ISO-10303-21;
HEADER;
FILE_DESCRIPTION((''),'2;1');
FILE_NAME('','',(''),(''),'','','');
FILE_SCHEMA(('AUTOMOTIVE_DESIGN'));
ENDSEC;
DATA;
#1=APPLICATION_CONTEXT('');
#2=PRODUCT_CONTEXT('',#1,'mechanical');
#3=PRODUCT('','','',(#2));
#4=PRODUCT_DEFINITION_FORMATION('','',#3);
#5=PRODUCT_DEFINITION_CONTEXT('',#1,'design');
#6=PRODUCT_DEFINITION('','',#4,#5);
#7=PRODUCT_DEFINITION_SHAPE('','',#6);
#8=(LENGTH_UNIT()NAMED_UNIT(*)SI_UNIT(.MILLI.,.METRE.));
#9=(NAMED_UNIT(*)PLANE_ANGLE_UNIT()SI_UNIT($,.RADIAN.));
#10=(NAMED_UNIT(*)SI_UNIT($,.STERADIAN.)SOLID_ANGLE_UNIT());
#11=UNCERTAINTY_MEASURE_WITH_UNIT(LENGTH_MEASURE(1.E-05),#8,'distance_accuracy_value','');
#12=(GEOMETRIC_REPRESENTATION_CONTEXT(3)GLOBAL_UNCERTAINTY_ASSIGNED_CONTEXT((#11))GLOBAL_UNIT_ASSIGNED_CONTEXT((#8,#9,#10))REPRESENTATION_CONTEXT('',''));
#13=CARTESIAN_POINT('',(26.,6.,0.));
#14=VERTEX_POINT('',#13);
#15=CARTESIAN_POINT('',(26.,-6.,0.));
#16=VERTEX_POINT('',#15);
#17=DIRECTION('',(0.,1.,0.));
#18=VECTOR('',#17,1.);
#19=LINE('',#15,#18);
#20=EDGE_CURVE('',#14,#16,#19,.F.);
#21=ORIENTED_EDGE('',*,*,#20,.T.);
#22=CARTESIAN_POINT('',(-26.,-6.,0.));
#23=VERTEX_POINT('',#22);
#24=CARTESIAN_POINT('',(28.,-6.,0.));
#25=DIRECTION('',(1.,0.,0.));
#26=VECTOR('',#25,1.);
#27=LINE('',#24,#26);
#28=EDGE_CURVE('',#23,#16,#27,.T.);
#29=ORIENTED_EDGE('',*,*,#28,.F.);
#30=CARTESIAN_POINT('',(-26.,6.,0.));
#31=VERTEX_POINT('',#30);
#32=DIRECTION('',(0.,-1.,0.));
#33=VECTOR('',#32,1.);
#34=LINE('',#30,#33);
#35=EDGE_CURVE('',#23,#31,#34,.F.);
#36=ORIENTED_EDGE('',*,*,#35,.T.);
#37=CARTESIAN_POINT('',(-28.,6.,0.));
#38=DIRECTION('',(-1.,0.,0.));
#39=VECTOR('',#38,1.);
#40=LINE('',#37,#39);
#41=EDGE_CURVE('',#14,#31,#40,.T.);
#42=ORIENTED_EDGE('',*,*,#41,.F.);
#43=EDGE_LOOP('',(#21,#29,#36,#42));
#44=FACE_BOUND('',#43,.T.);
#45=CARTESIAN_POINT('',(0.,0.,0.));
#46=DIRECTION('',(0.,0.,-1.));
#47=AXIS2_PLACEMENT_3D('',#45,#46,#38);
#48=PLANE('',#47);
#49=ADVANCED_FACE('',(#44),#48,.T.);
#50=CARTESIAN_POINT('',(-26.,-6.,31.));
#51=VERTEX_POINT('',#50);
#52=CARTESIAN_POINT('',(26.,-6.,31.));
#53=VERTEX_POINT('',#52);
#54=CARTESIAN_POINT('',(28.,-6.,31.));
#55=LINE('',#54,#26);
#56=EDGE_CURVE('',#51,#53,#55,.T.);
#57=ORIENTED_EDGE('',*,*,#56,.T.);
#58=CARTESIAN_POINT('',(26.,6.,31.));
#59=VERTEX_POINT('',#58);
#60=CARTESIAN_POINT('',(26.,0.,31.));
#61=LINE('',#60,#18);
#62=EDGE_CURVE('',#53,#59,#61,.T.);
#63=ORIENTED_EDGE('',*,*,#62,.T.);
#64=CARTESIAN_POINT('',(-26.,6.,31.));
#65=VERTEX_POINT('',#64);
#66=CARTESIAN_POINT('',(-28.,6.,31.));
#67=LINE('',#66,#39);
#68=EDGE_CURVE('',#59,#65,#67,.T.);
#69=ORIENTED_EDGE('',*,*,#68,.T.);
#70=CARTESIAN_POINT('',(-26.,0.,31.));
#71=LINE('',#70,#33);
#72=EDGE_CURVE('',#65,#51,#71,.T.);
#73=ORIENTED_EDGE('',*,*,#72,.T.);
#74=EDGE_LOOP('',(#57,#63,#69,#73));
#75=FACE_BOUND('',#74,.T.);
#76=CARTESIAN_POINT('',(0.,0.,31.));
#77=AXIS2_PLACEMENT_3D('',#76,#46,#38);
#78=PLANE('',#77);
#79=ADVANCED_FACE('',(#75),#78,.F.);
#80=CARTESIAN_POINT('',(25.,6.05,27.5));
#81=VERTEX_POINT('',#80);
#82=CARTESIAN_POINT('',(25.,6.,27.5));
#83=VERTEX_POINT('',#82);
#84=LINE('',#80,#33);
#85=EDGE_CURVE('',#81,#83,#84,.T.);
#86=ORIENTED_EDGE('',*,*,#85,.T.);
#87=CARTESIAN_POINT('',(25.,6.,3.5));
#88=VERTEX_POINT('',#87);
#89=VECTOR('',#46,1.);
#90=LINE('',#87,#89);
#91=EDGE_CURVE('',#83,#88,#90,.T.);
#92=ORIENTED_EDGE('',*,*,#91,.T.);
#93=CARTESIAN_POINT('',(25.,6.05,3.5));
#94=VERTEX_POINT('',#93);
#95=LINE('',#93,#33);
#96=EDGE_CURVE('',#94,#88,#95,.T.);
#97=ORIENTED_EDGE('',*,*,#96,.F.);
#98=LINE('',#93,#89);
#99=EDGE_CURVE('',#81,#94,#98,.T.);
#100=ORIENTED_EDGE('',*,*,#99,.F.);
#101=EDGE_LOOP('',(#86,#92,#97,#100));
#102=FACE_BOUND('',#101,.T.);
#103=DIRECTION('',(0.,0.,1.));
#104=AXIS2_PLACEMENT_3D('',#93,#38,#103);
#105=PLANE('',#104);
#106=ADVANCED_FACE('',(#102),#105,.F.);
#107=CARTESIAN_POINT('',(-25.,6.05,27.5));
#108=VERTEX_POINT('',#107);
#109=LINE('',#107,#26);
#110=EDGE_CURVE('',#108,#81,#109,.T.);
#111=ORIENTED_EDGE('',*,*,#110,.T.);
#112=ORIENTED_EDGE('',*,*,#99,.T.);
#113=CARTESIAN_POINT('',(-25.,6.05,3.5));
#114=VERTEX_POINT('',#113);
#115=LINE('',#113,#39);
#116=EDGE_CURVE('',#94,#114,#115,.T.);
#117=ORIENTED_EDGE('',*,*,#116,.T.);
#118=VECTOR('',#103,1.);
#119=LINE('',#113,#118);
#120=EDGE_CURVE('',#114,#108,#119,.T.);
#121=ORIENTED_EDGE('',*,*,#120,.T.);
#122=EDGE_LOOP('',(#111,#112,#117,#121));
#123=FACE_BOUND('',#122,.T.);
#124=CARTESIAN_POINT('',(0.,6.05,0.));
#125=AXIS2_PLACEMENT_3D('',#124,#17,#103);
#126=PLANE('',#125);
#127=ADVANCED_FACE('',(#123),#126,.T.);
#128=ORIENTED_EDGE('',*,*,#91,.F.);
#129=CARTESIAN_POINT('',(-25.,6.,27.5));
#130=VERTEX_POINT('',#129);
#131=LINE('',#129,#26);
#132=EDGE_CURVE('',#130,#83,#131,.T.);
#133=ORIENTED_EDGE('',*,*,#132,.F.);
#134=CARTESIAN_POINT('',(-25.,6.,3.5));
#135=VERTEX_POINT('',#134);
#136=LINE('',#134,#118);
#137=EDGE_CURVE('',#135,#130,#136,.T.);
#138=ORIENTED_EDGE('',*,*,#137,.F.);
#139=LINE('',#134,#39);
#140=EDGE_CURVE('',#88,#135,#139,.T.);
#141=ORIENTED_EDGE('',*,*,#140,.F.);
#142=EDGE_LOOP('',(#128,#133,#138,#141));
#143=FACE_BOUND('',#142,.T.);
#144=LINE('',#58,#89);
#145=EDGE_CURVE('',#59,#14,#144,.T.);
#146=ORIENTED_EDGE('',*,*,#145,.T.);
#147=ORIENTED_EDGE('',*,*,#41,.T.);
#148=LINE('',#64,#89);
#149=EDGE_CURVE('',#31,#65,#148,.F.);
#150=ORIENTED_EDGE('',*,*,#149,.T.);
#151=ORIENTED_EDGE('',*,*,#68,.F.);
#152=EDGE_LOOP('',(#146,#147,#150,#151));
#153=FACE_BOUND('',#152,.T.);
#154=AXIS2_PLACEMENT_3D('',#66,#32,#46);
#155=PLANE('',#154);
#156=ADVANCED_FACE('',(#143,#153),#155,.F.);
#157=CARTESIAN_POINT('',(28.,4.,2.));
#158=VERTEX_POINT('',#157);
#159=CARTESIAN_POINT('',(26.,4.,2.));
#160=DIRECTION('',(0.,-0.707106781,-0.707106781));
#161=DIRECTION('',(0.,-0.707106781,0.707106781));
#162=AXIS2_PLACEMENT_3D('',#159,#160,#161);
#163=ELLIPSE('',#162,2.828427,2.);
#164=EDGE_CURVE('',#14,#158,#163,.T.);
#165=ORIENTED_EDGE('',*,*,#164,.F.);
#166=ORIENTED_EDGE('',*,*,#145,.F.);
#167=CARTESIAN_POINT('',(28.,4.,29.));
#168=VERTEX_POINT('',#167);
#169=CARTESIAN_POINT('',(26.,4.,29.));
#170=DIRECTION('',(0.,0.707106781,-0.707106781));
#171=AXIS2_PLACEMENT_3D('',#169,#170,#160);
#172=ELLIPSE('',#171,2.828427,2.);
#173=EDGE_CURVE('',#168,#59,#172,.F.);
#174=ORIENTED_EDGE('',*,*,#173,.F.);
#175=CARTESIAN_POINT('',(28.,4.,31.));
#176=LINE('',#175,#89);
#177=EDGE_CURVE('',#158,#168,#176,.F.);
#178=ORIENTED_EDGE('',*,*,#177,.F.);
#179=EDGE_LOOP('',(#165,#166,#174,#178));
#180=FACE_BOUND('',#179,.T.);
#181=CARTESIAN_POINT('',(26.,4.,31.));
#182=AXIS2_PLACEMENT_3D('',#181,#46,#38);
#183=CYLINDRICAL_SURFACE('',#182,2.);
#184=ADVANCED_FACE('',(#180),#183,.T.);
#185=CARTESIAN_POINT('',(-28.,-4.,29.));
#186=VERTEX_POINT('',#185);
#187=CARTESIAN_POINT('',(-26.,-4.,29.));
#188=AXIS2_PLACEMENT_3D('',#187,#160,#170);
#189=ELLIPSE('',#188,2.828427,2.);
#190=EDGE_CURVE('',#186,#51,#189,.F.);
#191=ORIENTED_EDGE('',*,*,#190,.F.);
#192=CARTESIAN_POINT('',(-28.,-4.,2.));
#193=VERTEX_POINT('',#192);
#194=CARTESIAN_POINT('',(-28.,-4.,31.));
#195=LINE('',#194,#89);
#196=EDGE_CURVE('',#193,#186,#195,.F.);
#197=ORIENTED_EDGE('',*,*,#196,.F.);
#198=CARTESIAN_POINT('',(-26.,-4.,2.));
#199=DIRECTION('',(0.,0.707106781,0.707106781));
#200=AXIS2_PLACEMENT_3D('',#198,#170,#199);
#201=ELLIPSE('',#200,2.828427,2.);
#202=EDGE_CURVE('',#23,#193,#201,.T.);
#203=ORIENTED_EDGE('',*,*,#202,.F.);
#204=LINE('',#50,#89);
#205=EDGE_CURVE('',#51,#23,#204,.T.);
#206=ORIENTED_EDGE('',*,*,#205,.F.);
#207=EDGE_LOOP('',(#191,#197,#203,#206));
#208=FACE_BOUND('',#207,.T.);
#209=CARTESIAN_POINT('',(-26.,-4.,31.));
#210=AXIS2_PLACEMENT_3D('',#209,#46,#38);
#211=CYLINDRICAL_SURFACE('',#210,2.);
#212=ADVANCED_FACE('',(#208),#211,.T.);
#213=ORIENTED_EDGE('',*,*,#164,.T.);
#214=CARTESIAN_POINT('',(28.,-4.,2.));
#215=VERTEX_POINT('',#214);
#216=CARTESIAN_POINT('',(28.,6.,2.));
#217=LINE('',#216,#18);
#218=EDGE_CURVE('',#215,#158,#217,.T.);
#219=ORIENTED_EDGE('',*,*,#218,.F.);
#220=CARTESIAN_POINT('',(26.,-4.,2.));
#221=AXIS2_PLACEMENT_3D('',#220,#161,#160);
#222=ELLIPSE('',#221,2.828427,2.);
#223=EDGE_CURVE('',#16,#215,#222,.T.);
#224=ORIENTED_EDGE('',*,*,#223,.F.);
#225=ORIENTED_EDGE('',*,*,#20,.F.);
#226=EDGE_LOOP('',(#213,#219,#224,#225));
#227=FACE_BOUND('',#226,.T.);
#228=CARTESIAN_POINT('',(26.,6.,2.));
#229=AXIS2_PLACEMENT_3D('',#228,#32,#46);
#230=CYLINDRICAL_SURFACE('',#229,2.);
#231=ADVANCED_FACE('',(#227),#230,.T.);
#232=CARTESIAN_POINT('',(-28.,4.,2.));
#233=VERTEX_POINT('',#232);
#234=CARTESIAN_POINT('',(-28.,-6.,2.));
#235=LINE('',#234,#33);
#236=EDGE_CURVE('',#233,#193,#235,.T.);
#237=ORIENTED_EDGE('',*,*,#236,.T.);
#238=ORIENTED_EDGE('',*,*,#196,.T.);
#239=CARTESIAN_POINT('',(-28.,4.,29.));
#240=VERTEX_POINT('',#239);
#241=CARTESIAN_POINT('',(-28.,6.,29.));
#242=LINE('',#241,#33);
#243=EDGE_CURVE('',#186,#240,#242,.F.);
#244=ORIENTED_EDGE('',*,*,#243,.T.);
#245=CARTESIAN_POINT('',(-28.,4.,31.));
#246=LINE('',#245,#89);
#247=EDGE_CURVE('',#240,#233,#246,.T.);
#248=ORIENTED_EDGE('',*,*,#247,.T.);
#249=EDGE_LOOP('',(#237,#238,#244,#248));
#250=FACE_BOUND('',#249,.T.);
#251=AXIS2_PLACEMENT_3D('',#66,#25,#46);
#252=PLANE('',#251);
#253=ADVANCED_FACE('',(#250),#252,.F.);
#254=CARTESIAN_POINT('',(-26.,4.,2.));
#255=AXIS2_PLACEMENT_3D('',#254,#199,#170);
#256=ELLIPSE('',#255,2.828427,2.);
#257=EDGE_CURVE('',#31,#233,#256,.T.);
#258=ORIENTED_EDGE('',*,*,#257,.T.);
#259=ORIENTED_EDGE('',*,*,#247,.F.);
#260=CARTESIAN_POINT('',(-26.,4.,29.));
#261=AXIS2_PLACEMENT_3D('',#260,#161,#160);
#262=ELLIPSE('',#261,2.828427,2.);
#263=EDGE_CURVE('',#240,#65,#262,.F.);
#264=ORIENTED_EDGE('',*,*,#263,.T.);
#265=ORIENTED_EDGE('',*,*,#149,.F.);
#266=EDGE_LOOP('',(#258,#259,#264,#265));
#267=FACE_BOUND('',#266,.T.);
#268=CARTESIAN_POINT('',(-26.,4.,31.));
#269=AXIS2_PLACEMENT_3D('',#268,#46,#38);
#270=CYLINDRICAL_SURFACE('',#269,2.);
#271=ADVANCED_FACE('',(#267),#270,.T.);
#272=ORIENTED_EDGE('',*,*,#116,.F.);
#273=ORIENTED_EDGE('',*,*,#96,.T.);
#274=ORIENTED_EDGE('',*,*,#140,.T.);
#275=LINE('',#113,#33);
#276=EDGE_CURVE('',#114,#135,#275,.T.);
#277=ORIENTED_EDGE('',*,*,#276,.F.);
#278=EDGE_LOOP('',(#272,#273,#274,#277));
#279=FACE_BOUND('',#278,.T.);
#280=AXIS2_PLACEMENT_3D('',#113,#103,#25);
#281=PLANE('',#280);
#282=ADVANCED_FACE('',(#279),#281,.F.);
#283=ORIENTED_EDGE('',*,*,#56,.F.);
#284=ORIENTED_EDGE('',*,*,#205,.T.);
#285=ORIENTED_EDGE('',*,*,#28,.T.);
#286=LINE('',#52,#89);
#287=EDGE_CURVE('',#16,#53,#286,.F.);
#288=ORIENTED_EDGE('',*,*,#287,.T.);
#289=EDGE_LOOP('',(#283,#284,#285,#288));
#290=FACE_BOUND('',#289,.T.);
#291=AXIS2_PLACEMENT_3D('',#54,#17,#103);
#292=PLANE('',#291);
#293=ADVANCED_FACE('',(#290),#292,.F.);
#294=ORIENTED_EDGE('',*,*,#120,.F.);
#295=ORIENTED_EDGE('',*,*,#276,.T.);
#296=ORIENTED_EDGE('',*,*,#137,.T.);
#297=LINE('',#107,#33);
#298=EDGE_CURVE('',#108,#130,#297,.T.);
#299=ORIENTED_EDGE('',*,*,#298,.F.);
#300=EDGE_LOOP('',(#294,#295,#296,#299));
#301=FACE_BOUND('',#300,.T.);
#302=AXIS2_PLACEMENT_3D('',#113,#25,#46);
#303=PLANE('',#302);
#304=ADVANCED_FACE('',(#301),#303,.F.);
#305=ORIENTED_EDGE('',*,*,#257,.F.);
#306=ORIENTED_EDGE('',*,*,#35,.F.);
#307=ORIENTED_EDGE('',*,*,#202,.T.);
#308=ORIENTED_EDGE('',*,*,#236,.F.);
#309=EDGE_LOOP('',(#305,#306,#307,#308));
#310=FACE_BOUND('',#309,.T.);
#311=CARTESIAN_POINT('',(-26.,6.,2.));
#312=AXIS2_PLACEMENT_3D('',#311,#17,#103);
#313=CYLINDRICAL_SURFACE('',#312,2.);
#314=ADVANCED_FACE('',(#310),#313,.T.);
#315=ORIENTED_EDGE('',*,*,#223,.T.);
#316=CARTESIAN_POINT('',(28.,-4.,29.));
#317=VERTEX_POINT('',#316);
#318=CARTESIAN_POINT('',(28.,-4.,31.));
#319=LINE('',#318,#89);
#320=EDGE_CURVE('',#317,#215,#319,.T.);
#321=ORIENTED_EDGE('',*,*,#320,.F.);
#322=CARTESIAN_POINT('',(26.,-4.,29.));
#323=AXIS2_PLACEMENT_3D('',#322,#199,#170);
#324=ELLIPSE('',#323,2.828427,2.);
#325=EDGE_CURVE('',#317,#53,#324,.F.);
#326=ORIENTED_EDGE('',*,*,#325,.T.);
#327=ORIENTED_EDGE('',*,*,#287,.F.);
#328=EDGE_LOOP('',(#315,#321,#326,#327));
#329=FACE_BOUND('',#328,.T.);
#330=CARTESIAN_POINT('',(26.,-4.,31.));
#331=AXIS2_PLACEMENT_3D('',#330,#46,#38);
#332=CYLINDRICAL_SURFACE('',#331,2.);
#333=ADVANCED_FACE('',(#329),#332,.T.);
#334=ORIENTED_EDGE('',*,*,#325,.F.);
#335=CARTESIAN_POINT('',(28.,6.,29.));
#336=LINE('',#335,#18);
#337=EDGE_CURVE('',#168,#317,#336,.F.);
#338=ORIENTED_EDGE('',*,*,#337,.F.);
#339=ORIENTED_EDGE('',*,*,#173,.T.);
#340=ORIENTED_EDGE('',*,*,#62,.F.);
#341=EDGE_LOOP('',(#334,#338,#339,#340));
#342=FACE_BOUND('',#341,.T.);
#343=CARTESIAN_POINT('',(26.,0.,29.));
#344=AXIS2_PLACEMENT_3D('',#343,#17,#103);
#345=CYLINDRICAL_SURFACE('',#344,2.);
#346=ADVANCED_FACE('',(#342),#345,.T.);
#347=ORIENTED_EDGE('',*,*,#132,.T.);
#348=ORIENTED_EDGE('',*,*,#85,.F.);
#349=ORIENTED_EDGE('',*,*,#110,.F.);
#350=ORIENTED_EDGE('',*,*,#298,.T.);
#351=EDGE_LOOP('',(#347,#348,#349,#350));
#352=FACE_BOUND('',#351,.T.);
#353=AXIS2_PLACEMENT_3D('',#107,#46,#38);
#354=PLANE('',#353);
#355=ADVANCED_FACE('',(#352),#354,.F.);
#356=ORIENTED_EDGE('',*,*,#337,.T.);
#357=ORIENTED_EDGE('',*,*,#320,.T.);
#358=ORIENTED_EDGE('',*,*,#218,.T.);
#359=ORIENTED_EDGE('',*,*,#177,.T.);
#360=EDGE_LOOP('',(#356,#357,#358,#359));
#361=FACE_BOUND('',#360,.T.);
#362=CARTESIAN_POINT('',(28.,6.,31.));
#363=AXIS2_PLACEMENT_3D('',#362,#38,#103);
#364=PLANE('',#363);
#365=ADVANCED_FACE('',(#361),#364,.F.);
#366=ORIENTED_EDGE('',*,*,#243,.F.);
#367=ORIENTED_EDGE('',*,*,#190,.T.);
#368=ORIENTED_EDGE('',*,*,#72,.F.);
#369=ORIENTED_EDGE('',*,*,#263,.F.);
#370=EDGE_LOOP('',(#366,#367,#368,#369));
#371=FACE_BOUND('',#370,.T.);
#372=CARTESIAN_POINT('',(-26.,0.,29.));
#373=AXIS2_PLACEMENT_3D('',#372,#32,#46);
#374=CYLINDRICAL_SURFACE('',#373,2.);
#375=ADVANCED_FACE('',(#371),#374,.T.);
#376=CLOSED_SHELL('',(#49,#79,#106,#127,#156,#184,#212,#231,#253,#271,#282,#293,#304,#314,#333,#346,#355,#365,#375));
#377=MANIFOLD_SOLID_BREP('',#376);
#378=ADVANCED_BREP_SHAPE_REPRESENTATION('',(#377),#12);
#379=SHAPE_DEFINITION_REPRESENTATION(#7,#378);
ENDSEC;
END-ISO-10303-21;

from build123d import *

# Parameters (mm, degrees)
ESBO_O1_W                = 56
ESBO_O1_H                = 12
RESSALTO_EXTRUS_O3_DEPTH = 31
ESBO_O7_W                = 50
ESBO_O7_H                = 24
RESSALTO_EXTRUS_O4_DEPTH = 0.05
FILETE2_R                = 2
FILETE3_R                = 2


with BuildPart() as part:
    # Esboço1 → Ressalto-extrusão3 (new body)
    with BuildSketch(Plane.XY):
        Rectangle(ESBO_O1_W, ESBO_O1_H)
    extrude(amount=RESSALTO_EXTRUS_O3_DEPTH)

    # Esboço7 → Ressalto-extrusão4 (add)
    with BuildSketch(Plane(origin=(0, 6, 0), x_dir=(1, 0, 0), z_dir=(0, 1, 0))):
        with Locations((0, -15.5)):
            Rectangle(ESBO_O7_W, ESBO_O7_H)
    extrude(amount=RESSALTO_EXTRUS_O4_DEPTH)

    # Filete2
    filete2_edges = [part.edges().sort_by_distance(p)[0] for p in [
        (28, 0, 31),
        (28, 0, 0),
        (28, -6, 15.5),
        (28, 6, 15.5),
    ]]
    fillet(filete2_edges, radius=FILETE2_R)

    # Filete3
    filete3_edges = [part.edges().sort_by_distance(p)[0] for p in [
        (-28, 0, 31),
        (-28, 0, 0),
        (-28, -6, 15.5),
        (-28, 6, 15.5),
    ]]
    fillet(filete3_edges, radius=FILETE3_R)


solid = part.part
